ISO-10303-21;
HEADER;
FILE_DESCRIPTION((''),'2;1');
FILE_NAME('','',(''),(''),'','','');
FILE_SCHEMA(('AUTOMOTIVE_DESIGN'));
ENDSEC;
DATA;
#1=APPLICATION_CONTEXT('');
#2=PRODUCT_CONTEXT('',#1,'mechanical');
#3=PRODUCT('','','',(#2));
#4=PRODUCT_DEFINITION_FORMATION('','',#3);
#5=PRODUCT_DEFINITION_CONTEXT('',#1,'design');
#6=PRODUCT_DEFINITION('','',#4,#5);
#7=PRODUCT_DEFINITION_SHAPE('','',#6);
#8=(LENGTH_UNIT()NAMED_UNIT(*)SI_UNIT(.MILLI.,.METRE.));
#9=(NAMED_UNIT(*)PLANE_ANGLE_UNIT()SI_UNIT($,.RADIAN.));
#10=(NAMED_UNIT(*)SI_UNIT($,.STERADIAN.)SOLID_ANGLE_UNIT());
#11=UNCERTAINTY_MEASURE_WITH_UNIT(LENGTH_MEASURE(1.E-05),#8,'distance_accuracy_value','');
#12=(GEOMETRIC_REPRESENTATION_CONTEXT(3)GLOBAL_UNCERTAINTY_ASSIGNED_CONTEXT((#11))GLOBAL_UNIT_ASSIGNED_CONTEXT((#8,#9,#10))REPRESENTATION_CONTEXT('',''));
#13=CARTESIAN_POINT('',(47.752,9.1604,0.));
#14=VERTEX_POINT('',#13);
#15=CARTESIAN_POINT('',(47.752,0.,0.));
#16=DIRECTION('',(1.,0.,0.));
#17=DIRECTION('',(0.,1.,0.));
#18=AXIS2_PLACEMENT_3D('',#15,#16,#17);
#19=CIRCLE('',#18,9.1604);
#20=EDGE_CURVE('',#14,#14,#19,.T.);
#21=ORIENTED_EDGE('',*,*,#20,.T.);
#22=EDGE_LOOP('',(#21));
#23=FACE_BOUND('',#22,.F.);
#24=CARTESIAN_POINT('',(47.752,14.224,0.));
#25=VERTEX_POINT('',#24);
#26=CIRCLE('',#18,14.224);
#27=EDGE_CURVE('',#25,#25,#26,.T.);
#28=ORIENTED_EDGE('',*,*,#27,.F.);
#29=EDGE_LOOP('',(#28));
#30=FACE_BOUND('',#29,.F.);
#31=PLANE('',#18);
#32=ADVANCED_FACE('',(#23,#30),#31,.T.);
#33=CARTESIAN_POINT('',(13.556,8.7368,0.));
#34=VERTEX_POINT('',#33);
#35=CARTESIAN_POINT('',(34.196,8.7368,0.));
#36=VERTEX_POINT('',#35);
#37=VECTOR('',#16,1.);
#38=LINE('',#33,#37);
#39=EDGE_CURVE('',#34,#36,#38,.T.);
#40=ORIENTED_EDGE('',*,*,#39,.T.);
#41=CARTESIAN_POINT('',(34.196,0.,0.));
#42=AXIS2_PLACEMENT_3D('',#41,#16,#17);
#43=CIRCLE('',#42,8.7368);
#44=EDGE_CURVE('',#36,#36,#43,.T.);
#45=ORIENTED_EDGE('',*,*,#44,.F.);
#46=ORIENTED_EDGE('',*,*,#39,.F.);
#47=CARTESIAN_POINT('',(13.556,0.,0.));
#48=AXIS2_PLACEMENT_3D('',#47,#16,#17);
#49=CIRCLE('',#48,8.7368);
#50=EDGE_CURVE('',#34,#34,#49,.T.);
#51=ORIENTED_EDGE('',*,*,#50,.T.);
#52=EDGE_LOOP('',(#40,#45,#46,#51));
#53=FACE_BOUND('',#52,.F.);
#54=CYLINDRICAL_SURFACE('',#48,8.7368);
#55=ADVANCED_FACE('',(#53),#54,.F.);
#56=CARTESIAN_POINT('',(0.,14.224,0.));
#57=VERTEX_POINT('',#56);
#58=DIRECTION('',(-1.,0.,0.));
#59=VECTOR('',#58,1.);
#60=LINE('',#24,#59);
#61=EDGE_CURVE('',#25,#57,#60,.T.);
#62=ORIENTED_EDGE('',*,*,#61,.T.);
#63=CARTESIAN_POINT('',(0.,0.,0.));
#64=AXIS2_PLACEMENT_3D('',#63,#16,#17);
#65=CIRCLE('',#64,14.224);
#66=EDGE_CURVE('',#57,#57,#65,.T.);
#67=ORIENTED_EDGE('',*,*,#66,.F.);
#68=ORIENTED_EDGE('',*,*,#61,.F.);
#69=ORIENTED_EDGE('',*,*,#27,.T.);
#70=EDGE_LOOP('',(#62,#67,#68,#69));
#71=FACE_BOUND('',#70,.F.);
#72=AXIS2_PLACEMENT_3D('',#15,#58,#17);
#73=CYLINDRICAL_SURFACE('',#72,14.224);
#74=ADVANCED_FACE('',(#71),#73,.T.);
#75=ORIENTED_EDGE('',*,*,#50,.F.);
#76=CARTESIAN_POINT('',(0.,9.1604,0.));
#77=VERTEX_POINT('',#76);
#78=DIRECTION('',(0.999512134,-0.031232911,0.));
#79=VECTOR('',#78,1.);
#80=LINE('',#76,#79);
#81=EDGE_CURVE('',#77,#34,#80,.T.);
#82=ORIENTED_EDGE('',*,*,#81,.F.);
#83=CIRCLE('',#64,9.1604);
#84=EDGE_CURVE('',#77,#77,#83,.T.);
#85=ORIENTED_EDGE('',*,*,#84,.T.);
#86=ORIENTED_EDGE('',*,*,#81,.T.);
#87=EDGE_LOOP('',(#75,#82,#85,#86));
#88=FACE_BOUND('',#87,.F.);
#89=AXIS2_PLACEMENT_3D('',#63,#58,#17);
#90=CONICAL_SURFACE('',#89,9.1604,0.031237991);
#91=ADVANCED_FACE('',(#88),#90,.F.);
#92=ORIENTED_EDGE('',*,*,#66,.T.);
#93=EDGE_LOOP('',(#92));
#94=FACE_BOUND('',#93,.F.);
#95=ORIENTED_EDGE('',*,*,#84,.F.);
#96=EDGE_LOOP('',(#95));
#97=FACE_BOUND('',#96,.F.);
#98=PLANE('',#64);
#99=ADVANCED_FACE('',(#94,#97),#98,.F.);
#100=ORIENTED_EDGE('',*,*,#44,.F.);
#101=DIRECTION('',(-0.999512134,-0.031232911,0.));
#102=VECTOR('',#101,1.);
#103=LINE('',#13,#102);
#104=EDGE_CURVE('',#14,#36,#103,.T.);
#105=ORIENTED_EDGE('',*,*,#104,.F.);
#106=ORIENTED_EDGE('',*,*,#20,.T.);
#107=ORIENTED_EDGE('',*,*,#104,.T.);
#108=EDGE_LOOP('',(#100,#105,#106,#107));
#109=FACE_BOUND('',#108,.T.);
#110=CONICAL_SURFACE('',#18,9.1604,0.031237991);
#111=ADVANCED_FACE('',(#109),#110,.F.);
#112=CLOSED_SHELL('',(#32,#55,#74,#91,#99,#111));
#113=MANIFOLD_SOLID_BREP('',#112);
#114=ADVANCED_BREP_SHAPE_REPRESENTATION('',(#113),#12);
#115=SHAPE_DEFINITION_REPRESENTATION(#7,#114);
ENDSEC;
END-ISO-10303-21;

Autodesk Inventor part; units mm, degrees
ref_plane "YZ Plane" through (0, 0, 0) normal (1, 0, 0) x (0, 1, 0)
ref_plane "XZ Plane" through (0, 0, 0) normal (0, 1, 0) x (-1, 0, 0)
ref_plane "XY Plane" through (0, 0, 0) normal (0, 0, 1) x (1, 0, 0)
sketch "Sketch1" plane through (0, 0, 0) normal (0, 0, 1) x (1, 0, 0)
  line L0 (0, 0) -> (47.752, 0)
  line L1 (47.752, 0) -> (47.752, 9.1604) construction
  line L2 (47.752, 9.1604) -> (0, 9.1604) construction
  line L3 (0, 9.1604) -> (0, 0) construction
  line L4 (47.752, 9.1604) -> (47.752, 14.224)
  line L5 (47.752, 14.224) -> (0, 14.224)
  line L6 (0, 14.224) -> (0, 9.1604)
  line L7 (0, 9.1604) -> (13.556, 8.7368)
  line L8 (23.876, 0) -> (23.876, 14.224) construction
  line L9 (47.752, 9.1604) -> (34.196, 8.7368)
  line L10 (13.556, 8.7368) -> (34.196, 8.7368)
  line L11 (13.556, 8.7368) -> (13.556, 0) construction
  line L12 (34.196, 8.7368) -> (34.196, 0) construction
  dimension "d0" = 18.3208
  dimension "d1" = 47.752
  dimension "d2" = 28.448
  dimension "d3" = 1.79
  dimension "d4" = 13.556
revolve "Revolve1" add sketch "Sketch1" angle 360 about axis through (0, 0, 0) along (1, 0, 0)
thread "Thread1" size "1/2" designation "1/2 - 14 NPT" standard "NPT" full length
thread "Thread2" size "1/2" designation "1/2 - 14 NPT" standard "NPT" full length
equation "\"d0\" = MD"
equation "\"d1\" = W1"
equation "\"d2\" = D"
equation "\"d4\" = L"
equation "\"W1\" = 47.752"
equation "\"D\" = 28.448"
equation "\"L\" = 13.55598"
equation "\"MD\" = 18.32077"
equation "\"Size_Designation\" = 1.2345"
properties part number "ASME B16.11 Coupling Threaded - Class 3000 1/2 x 1/2, CTC3000" material "Steel"
